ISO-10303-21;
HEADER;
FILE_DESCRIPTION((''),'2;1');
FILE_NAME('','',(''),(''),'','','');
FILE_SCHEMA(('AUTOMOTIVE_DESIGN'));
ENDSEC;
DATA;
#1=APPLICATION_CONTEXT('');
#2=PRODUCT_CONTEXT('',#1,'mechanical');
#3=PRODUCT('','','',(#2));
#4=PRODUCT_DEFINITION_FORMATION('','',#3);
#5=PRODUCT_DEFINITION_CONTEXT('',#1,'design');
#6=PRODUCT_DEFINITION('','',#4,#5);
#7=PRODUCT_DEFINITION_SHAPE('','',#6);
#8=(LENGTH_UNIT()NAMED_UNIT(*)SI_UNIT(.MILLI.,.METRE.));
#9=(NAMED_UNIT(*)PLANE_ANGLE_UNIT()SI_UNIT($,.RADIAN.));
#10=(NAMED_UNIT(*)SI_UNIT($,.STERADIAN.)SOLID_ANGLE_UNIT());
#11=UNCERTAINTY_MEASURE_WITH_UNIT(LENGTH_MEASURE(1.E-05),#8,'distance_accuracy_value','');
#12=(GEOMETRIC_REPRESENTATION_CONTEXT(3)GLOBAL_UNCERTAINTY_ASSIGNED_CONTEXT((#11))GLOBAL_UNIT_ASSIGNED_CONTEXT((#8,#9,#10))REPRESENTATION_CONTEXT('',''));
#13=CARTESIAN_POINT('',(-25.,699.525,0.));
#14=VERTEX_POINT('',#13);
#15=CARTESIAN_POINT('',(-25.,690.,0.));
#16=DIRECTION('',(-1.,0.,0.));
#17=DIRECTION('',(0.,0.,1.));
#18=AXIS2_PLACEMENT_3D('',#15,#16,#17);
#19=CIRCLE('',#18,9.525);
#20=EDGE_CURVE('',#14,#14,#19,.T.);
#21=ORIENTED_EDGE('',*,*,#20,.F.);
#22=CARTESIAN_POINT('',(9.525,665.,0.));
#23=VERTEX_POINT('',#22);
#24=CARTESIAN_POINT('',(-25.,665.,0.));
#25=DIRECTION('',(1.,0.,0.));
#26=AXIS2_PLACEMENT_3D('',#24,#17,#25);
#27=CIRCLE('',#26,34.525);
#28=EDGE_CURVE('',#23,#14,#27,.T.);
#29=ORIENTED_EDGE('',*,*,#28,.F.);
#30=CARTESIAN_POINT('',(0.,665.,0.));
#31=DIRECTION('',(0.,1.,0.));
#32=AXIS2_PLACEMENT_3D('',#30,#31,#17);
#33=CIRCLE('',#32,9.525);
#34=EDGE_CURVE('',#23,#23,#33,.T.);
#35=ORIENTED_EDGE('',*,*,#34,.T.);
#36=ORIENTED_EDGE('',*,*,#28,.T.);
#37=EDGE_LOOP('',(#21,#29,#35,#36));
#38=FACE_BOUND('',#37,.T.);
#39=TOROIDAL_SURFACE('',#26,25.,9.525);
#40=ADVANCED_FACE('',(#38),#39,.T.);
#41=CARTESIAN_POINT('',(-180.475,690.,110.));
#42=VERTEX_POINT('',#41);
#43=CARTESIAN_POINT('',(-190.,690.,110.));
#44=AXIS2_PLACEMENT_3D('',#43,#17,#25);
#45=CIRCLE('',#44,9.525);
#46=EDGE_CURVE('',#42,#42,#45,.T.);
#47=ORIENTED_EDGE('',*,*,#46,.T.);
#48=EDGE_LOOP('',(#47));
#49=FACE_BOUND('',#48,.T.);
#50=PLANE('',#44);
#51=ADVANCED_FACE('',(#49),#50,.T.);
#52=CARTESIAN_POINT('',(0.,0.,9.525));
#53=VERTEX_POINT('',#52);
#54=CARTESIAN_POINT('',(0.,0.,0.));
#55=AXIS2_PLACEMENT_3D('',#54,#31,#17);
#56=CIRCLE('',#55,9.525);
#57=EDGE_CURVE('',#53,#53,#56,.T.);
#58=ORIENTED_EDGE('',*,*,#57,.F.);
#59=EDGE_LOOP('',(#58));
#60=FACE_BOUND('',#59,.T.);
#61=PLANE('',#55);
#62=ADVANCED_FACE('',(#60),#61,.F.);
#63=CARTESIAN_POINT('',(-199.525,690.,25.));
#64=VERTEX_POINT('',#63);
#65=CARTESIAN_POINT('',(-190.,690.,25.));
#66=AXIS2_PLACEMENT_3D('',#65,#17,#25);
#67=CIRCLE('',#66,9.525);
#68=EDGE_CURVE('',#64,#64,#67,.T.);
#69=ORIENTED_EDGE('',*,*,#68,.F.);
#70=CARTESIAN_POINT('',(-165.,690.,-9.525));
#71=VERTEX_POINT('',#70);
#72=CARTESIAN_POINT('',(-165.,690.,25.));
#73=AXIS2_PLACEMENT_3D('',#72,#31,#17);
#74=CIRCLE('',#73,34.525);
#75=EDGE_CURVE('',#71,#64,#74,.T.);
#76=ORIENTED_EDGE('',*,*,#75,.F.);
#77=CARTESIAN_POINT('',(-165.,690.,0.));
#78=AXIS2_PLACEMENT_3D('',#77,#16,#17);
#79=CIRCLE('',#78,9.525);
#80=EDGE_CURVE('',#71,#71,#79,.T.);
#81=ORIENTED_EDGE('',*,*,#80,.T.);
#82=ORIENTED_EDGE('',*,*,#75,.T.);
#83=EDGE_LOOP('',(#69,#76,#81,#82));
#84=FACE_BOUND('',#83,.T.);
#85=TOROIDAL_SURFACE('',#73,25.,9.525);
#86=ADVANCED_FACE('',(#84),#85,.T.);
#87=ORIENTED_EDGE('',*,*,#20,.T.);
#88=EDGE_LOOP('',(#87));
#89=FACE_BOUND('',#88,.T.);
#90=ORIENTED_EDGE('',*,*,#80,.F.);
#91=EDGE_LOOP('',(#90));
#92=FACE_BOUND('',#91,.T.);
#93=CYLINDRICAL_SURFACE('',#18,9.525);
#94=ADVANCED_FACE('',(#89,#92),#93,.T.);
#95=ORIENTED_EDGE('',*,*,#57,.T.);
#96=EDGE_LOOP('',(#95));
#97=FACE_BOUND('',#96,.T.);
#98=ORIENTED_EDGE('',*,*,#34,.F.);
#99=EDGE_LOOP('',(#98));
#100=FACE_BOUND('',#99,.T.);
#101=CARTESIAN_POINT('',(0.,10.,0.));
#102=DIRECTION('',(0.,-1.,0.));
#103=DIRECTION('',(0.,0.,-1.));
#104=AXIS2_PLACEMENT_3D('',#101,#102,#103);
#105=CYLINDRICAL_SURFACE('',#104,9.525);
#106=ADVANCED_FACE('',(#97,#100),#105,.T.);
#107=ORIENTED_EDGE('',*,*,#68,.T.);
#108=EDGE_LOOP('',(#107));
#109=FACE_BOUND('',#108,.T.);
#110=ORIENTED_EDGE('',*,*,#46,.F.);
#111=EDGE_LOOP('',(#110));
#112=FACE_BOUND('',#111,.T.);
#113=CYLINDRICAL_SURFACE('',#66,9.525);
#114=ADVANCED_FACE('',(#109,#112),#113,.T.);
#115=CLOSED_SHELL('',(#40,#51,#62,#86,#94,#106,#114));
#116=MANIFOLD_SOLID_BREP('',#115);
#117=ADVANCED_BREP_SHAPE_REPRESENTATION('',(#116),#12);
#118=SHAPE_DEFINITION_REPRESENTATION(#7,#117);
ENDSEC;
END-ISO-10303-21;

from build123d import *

# Parameters (mm, degrees)
CROQUIS1_R              = 9.525
SALIENTE_EXTRUIR1_DEPTH = 10
CROQUIS2_R              = 9.525


with BuildPart() as part:
    # Croquis1 → Saliente-Extruir1 (new body)
    with BuildSketch(Plane(origin=(0, 0, 0), x_dir=(1, 0, 0), z_dir=(0, 1, 0))):
        with Locations(Location((0, 0, 0), (0, 0, 270))):
            Circle(CROQUIS1_R)
    extrude(amount=SALIENTE_EXTRUIR1_DEPTH)

    # Barrer1: sweep along a curve in space
    with BuildLine() as barrer1_path:
        Line((0, 10, 0), (0, 665, 0))
        ThreePointArc((0, 665, 0), (-7.32233047, 682.67766953, 0), (-25, 690, 0))
        Line((-25, 690, 0), (-165, 690, 0))
        ThreePointArc((-165, 690, 0), (-182.67766953, 690, 7.32233047), (-190, 690, 25))
        Line((-190, 690, 25), (-190, 690, 110))
    # Croquis2 → Barrer1 (sweep)
    with BuildSketch(Plane(origin=(0, 10, 0), x_dir=(1, 0, 0), z_dir=(0, 1, 0))):
        Circle(CROQUIS2_R)
    sweep(path=barrer1_path.line)


solid = part.part
